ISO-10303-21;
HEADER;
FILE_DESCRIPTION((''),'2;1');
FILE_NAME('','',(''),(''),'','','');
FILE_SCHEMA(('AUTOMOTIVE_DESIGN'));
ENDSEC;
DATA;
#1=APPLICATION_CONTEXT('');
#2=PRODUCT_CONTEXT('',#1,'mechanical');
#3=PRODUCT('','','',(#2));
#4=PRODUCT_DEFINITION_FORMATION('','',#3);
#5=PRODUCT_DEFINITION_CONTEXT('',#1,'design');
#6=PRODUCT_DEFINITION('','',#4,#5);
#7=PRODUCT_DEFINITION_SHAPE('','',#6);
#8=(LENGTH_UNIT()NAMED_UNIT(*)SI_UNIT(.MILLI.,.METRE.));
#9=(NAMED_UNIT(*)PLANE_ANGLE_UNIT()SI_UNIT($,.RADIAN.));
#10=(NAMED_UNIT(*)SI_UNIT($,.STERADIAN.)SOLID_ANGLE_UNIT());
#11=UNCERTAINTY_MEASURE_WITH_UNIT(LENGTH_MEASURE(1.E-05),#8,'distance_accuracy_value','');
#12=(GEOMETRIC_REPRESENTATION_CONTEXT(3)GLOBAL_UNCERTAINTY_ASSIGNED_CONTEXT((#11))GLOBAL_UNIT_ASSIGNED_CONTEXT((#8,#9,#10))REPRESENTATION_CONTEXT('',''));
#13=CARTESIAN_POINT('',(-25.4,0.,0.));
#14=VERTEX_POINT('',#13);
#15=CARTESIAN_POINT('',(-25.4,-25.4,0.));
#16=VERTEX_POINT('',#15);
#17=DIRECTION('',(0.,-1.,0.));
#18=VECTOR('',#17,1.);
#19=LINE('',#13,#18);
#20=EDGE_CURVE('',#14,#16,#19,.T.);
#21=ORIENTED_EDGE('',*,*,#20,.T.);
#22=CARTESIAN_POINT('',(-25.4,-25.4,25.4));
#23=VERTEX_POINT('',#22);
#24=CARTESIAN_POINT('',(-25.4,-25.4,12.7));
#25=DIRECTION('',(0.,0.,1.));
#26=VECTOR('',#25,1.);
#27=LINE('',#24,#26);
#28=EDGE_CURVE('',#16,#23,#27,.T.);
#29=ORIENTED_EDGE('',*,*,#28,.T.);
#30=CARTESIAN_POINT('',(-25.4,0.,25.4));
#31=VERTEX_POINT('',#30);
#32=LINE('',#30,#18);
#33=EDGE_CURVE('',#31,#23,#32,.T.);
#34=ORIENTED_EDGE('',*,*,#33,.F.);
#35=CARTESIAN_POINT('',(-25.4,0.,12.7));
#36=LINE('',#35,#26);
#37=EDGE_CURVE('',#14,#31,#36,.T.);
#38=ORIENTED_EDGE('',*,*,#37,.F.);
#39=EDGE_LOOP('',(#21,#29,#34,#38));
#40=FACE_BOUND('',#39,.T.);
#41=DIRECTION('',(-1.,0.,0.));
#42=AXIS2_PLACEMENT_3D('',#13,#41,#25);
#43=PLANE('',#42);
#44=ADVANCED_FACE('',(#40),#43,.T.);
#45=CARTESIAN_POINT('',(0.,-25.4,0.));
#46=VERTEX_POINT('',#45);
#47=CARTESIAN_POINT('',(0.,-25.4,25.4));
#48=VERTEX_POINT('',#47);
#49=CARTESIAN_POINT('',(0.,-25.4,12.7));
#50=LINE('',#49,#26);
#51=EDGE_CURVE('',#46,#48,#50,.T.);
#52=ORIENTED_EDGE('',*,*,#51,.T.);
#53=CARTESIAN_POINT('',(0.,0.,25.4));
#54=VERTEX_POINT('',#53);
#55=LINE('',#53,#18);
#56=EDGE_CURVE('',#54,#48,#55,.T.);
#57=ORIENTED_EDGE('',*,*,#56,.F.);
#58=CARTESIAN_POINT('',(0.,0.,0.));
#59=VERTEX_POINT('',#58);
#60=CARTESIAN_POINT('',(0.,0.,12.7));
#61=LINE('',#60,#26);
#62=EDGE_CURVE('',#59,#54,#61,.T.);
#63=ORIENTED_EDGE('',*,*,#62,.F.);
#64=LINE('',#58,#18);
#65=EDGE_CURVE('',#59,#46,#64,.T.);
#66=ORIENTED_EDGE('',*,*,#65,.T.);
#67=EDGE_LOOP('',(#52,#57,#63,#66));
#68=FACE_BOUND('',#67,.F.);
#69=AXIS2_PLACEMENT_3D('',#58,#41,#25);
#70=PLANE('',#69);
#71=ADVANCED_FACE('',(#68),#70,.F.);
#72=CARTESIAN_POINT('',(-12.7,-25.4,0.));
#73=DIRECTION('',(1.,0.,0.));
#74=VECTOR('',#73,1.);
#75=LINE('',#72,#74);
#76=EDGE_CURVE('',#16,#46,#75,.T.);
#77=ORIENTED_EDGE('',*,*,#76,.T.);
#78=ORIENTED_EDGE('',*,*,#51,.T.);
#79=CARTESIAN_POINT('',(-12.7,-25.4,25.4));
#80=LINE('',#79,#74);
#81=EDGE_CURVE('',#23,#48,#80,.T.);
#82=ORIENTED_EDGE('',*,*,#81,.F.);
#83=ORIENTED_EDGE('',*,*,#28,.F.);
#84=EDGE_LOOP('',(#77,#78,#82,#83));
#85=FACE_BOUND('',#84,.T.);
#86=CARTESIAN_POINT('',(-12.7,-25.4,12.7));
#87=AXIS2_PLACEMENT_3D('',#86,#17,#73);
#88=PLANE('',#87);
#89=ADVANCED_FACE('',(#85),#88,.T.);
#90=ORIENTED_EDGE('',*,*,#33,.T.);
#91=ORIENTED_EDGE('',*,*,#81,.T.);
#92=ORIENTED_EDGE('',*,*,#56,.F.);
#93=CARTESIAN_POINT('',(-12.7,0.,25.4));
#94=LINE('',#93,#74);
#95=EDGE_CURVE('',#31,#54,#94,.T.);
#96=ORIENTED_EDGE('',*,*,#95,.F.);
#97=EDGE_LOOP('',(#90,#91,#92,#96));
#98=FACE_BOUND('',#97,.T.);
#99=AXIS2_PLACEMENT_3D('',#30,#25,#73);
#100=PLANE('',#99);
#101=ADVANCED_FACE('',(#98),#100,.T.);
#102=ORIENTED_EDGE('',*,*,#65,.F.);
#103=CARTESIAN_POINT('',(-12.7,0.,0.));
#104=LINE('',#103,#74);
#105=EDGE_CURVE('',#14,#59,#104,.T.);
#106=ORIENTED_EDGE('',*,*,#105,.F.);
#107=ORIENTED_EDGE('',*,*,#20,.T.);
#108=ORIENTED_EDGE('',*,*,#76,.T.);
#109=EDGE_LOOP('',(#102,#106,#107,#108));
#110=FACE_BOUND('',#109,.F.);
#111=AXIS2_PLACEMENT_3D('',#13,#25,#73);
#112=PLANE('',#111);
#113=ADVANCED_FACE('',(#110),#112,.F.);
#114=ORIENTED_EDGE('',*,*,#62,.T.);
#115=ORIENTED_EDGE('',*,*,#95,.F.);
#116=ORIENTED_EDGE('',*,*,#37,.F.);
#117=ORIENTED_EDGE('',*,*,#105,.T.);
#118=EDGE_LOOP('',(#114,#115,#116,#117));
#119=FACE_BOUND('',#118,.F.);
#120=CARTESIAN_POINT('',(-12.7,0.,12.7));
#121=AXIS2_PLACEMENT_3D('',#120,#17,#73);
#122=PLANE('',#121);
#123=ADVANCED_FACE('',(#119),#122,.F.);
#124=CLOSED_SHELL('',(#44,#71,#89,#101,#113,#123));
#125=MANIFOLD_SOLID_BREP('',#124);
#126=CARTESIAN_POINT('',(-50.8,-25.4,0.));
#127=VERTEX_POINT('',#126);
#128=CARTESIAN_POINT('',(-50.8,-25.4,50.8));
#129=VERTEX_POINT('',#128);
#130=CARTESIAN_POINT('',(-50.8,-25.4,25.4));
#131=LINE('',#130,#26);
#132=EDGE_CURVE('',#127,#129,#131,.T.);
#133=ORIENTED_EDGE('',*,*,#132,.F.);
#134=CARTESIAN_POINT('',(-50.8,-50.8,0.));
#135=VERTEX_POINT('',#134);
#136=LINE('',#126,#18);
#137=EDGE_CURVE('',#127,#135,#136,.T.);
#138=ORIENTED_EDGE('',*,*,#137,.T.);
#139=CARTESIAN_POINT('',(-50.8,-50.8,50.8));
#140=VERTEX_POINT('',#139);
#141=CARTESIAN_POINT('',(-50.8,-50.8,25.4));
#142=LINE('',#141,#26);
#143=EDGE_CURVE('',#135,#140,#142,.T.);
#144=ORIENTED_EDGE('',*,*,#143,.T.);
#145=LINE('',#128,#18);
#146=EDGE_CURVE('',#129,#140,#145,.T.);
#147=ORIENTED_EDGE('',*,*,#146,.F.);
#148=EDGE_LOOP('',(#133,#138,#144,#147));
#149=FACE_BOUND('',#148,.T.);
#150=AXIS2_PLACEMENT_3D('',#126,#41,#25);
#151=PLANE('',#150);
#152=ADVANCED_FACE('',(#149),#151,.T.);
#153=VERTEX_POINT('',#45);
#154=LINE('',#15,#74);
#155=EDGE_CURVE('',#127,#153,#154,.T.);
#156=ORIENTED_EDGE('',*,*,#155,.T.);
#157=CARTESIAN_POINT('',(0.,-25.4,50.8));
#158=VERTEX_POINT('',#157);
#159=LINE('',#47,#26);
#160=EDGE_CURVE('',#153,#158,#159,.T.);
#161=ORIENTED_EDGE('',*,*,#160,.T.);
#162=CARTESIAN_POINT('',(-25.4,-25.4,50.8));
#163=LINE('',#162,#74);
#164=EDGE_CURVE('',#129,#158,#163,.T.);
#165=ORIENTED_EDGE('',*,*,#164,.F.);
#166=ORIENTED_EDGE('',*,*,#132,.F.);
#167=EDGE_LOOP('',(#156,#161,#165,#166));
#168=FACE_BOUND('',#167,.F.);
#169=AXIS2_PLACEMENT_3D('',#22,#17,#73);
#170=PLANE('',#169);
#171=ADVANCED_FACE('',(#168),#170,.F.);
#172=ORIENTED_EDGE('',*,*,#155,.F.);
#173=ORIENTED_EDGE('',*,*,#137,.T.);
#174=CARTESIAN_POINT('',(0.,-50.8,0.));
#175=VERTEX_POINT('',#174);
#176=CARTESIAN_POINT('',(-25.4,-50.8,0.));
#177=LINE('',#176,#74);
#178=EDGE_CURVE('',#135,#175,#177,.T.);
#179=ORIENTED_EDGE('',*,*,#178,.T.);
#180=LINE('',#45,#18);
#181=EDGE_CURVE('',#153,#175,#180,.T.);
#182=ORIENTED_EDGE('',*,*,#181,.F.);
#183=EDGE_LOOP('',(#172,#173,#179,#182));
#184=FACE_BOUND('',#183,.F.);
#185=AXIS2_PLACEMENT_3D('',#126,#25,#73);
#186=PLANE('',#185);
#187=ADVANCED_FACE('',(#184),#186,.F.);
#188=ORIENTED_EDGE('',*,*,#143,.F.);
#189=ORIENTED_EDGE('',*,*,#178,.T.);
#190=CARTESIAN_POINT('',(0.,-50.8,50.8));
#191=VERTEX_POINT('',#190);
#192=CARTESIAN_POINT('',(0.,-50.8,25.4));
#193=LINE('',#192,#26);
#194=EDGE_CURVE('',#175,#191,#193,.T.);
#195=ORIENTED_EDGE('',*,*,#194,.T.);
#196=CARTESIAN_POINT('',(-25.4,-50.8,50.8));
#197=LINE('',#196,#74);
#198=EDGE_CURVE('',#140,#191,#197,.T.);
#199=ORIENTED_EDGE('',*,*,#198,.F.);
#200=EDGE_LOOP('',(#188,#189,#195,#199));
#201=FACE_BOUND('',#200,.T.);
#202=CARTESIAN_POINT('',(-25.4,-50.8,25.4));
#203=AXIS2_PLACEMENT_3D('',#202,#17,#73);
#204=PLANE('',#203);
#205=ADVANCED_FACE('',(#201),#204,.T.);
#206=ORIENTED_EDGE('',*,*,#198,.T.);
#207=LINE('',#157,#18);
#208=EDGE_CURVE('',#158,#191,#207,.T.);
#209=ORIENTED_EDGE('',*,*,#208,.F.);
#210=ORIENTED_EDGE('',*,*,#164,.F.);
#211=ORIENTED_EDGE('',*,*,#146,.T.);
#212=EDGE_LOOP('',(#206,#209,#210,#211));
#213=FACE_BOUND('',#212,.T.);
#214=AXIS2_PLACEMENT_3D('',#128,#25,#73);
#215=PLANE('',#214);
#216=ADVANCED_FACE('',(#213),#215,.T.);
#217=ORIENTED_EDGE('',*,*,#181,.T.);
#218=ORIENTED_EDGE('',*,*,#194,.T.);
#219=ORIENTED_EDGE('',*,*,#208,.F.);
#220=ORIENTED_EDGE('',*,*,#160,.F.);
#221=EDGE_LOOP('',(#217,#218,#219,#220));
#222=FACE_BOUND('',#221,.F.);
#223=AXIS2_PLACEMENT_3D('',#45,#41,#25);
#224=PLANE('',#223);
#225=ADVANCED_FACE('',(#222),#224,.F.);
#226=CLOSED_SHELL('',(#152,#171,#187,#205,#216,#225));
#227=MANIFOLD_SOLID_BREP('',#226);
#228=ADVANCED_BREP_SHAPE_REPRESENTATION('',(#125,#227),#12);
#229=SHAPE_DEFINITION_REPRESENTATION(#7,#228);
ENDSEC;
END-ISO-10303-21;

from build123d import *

# Parameters (mm, degrees)
F0_W     = 25.4
F0_H     = 25.4
F1_DEPTH = 25.4
F2_W     = 50.8
F2_H     = 50.8
F3_DEPTH = 25.4


with BuildPart() as f1:
    # F0 (on Front) → F1 (new body)
    with BuildSketch(Plane.XZ):
        with Locations((-12.7, 12.7)):
            Rectangle(F0_W, F0_H)
    extrude(amount=F1_DEPTH)


with BuildPart() as f3:
    # F2 (on face) → F3 (new body)
    with BuildSketch(Plane.XZ.offset(25.4)):
        with Locations((-25.4, 25.4)):
            Rectangle(F2_W, F2_H)
    extrude(amount=F3_DEPTH)


solid = Compound([f1.part, f3.part])
